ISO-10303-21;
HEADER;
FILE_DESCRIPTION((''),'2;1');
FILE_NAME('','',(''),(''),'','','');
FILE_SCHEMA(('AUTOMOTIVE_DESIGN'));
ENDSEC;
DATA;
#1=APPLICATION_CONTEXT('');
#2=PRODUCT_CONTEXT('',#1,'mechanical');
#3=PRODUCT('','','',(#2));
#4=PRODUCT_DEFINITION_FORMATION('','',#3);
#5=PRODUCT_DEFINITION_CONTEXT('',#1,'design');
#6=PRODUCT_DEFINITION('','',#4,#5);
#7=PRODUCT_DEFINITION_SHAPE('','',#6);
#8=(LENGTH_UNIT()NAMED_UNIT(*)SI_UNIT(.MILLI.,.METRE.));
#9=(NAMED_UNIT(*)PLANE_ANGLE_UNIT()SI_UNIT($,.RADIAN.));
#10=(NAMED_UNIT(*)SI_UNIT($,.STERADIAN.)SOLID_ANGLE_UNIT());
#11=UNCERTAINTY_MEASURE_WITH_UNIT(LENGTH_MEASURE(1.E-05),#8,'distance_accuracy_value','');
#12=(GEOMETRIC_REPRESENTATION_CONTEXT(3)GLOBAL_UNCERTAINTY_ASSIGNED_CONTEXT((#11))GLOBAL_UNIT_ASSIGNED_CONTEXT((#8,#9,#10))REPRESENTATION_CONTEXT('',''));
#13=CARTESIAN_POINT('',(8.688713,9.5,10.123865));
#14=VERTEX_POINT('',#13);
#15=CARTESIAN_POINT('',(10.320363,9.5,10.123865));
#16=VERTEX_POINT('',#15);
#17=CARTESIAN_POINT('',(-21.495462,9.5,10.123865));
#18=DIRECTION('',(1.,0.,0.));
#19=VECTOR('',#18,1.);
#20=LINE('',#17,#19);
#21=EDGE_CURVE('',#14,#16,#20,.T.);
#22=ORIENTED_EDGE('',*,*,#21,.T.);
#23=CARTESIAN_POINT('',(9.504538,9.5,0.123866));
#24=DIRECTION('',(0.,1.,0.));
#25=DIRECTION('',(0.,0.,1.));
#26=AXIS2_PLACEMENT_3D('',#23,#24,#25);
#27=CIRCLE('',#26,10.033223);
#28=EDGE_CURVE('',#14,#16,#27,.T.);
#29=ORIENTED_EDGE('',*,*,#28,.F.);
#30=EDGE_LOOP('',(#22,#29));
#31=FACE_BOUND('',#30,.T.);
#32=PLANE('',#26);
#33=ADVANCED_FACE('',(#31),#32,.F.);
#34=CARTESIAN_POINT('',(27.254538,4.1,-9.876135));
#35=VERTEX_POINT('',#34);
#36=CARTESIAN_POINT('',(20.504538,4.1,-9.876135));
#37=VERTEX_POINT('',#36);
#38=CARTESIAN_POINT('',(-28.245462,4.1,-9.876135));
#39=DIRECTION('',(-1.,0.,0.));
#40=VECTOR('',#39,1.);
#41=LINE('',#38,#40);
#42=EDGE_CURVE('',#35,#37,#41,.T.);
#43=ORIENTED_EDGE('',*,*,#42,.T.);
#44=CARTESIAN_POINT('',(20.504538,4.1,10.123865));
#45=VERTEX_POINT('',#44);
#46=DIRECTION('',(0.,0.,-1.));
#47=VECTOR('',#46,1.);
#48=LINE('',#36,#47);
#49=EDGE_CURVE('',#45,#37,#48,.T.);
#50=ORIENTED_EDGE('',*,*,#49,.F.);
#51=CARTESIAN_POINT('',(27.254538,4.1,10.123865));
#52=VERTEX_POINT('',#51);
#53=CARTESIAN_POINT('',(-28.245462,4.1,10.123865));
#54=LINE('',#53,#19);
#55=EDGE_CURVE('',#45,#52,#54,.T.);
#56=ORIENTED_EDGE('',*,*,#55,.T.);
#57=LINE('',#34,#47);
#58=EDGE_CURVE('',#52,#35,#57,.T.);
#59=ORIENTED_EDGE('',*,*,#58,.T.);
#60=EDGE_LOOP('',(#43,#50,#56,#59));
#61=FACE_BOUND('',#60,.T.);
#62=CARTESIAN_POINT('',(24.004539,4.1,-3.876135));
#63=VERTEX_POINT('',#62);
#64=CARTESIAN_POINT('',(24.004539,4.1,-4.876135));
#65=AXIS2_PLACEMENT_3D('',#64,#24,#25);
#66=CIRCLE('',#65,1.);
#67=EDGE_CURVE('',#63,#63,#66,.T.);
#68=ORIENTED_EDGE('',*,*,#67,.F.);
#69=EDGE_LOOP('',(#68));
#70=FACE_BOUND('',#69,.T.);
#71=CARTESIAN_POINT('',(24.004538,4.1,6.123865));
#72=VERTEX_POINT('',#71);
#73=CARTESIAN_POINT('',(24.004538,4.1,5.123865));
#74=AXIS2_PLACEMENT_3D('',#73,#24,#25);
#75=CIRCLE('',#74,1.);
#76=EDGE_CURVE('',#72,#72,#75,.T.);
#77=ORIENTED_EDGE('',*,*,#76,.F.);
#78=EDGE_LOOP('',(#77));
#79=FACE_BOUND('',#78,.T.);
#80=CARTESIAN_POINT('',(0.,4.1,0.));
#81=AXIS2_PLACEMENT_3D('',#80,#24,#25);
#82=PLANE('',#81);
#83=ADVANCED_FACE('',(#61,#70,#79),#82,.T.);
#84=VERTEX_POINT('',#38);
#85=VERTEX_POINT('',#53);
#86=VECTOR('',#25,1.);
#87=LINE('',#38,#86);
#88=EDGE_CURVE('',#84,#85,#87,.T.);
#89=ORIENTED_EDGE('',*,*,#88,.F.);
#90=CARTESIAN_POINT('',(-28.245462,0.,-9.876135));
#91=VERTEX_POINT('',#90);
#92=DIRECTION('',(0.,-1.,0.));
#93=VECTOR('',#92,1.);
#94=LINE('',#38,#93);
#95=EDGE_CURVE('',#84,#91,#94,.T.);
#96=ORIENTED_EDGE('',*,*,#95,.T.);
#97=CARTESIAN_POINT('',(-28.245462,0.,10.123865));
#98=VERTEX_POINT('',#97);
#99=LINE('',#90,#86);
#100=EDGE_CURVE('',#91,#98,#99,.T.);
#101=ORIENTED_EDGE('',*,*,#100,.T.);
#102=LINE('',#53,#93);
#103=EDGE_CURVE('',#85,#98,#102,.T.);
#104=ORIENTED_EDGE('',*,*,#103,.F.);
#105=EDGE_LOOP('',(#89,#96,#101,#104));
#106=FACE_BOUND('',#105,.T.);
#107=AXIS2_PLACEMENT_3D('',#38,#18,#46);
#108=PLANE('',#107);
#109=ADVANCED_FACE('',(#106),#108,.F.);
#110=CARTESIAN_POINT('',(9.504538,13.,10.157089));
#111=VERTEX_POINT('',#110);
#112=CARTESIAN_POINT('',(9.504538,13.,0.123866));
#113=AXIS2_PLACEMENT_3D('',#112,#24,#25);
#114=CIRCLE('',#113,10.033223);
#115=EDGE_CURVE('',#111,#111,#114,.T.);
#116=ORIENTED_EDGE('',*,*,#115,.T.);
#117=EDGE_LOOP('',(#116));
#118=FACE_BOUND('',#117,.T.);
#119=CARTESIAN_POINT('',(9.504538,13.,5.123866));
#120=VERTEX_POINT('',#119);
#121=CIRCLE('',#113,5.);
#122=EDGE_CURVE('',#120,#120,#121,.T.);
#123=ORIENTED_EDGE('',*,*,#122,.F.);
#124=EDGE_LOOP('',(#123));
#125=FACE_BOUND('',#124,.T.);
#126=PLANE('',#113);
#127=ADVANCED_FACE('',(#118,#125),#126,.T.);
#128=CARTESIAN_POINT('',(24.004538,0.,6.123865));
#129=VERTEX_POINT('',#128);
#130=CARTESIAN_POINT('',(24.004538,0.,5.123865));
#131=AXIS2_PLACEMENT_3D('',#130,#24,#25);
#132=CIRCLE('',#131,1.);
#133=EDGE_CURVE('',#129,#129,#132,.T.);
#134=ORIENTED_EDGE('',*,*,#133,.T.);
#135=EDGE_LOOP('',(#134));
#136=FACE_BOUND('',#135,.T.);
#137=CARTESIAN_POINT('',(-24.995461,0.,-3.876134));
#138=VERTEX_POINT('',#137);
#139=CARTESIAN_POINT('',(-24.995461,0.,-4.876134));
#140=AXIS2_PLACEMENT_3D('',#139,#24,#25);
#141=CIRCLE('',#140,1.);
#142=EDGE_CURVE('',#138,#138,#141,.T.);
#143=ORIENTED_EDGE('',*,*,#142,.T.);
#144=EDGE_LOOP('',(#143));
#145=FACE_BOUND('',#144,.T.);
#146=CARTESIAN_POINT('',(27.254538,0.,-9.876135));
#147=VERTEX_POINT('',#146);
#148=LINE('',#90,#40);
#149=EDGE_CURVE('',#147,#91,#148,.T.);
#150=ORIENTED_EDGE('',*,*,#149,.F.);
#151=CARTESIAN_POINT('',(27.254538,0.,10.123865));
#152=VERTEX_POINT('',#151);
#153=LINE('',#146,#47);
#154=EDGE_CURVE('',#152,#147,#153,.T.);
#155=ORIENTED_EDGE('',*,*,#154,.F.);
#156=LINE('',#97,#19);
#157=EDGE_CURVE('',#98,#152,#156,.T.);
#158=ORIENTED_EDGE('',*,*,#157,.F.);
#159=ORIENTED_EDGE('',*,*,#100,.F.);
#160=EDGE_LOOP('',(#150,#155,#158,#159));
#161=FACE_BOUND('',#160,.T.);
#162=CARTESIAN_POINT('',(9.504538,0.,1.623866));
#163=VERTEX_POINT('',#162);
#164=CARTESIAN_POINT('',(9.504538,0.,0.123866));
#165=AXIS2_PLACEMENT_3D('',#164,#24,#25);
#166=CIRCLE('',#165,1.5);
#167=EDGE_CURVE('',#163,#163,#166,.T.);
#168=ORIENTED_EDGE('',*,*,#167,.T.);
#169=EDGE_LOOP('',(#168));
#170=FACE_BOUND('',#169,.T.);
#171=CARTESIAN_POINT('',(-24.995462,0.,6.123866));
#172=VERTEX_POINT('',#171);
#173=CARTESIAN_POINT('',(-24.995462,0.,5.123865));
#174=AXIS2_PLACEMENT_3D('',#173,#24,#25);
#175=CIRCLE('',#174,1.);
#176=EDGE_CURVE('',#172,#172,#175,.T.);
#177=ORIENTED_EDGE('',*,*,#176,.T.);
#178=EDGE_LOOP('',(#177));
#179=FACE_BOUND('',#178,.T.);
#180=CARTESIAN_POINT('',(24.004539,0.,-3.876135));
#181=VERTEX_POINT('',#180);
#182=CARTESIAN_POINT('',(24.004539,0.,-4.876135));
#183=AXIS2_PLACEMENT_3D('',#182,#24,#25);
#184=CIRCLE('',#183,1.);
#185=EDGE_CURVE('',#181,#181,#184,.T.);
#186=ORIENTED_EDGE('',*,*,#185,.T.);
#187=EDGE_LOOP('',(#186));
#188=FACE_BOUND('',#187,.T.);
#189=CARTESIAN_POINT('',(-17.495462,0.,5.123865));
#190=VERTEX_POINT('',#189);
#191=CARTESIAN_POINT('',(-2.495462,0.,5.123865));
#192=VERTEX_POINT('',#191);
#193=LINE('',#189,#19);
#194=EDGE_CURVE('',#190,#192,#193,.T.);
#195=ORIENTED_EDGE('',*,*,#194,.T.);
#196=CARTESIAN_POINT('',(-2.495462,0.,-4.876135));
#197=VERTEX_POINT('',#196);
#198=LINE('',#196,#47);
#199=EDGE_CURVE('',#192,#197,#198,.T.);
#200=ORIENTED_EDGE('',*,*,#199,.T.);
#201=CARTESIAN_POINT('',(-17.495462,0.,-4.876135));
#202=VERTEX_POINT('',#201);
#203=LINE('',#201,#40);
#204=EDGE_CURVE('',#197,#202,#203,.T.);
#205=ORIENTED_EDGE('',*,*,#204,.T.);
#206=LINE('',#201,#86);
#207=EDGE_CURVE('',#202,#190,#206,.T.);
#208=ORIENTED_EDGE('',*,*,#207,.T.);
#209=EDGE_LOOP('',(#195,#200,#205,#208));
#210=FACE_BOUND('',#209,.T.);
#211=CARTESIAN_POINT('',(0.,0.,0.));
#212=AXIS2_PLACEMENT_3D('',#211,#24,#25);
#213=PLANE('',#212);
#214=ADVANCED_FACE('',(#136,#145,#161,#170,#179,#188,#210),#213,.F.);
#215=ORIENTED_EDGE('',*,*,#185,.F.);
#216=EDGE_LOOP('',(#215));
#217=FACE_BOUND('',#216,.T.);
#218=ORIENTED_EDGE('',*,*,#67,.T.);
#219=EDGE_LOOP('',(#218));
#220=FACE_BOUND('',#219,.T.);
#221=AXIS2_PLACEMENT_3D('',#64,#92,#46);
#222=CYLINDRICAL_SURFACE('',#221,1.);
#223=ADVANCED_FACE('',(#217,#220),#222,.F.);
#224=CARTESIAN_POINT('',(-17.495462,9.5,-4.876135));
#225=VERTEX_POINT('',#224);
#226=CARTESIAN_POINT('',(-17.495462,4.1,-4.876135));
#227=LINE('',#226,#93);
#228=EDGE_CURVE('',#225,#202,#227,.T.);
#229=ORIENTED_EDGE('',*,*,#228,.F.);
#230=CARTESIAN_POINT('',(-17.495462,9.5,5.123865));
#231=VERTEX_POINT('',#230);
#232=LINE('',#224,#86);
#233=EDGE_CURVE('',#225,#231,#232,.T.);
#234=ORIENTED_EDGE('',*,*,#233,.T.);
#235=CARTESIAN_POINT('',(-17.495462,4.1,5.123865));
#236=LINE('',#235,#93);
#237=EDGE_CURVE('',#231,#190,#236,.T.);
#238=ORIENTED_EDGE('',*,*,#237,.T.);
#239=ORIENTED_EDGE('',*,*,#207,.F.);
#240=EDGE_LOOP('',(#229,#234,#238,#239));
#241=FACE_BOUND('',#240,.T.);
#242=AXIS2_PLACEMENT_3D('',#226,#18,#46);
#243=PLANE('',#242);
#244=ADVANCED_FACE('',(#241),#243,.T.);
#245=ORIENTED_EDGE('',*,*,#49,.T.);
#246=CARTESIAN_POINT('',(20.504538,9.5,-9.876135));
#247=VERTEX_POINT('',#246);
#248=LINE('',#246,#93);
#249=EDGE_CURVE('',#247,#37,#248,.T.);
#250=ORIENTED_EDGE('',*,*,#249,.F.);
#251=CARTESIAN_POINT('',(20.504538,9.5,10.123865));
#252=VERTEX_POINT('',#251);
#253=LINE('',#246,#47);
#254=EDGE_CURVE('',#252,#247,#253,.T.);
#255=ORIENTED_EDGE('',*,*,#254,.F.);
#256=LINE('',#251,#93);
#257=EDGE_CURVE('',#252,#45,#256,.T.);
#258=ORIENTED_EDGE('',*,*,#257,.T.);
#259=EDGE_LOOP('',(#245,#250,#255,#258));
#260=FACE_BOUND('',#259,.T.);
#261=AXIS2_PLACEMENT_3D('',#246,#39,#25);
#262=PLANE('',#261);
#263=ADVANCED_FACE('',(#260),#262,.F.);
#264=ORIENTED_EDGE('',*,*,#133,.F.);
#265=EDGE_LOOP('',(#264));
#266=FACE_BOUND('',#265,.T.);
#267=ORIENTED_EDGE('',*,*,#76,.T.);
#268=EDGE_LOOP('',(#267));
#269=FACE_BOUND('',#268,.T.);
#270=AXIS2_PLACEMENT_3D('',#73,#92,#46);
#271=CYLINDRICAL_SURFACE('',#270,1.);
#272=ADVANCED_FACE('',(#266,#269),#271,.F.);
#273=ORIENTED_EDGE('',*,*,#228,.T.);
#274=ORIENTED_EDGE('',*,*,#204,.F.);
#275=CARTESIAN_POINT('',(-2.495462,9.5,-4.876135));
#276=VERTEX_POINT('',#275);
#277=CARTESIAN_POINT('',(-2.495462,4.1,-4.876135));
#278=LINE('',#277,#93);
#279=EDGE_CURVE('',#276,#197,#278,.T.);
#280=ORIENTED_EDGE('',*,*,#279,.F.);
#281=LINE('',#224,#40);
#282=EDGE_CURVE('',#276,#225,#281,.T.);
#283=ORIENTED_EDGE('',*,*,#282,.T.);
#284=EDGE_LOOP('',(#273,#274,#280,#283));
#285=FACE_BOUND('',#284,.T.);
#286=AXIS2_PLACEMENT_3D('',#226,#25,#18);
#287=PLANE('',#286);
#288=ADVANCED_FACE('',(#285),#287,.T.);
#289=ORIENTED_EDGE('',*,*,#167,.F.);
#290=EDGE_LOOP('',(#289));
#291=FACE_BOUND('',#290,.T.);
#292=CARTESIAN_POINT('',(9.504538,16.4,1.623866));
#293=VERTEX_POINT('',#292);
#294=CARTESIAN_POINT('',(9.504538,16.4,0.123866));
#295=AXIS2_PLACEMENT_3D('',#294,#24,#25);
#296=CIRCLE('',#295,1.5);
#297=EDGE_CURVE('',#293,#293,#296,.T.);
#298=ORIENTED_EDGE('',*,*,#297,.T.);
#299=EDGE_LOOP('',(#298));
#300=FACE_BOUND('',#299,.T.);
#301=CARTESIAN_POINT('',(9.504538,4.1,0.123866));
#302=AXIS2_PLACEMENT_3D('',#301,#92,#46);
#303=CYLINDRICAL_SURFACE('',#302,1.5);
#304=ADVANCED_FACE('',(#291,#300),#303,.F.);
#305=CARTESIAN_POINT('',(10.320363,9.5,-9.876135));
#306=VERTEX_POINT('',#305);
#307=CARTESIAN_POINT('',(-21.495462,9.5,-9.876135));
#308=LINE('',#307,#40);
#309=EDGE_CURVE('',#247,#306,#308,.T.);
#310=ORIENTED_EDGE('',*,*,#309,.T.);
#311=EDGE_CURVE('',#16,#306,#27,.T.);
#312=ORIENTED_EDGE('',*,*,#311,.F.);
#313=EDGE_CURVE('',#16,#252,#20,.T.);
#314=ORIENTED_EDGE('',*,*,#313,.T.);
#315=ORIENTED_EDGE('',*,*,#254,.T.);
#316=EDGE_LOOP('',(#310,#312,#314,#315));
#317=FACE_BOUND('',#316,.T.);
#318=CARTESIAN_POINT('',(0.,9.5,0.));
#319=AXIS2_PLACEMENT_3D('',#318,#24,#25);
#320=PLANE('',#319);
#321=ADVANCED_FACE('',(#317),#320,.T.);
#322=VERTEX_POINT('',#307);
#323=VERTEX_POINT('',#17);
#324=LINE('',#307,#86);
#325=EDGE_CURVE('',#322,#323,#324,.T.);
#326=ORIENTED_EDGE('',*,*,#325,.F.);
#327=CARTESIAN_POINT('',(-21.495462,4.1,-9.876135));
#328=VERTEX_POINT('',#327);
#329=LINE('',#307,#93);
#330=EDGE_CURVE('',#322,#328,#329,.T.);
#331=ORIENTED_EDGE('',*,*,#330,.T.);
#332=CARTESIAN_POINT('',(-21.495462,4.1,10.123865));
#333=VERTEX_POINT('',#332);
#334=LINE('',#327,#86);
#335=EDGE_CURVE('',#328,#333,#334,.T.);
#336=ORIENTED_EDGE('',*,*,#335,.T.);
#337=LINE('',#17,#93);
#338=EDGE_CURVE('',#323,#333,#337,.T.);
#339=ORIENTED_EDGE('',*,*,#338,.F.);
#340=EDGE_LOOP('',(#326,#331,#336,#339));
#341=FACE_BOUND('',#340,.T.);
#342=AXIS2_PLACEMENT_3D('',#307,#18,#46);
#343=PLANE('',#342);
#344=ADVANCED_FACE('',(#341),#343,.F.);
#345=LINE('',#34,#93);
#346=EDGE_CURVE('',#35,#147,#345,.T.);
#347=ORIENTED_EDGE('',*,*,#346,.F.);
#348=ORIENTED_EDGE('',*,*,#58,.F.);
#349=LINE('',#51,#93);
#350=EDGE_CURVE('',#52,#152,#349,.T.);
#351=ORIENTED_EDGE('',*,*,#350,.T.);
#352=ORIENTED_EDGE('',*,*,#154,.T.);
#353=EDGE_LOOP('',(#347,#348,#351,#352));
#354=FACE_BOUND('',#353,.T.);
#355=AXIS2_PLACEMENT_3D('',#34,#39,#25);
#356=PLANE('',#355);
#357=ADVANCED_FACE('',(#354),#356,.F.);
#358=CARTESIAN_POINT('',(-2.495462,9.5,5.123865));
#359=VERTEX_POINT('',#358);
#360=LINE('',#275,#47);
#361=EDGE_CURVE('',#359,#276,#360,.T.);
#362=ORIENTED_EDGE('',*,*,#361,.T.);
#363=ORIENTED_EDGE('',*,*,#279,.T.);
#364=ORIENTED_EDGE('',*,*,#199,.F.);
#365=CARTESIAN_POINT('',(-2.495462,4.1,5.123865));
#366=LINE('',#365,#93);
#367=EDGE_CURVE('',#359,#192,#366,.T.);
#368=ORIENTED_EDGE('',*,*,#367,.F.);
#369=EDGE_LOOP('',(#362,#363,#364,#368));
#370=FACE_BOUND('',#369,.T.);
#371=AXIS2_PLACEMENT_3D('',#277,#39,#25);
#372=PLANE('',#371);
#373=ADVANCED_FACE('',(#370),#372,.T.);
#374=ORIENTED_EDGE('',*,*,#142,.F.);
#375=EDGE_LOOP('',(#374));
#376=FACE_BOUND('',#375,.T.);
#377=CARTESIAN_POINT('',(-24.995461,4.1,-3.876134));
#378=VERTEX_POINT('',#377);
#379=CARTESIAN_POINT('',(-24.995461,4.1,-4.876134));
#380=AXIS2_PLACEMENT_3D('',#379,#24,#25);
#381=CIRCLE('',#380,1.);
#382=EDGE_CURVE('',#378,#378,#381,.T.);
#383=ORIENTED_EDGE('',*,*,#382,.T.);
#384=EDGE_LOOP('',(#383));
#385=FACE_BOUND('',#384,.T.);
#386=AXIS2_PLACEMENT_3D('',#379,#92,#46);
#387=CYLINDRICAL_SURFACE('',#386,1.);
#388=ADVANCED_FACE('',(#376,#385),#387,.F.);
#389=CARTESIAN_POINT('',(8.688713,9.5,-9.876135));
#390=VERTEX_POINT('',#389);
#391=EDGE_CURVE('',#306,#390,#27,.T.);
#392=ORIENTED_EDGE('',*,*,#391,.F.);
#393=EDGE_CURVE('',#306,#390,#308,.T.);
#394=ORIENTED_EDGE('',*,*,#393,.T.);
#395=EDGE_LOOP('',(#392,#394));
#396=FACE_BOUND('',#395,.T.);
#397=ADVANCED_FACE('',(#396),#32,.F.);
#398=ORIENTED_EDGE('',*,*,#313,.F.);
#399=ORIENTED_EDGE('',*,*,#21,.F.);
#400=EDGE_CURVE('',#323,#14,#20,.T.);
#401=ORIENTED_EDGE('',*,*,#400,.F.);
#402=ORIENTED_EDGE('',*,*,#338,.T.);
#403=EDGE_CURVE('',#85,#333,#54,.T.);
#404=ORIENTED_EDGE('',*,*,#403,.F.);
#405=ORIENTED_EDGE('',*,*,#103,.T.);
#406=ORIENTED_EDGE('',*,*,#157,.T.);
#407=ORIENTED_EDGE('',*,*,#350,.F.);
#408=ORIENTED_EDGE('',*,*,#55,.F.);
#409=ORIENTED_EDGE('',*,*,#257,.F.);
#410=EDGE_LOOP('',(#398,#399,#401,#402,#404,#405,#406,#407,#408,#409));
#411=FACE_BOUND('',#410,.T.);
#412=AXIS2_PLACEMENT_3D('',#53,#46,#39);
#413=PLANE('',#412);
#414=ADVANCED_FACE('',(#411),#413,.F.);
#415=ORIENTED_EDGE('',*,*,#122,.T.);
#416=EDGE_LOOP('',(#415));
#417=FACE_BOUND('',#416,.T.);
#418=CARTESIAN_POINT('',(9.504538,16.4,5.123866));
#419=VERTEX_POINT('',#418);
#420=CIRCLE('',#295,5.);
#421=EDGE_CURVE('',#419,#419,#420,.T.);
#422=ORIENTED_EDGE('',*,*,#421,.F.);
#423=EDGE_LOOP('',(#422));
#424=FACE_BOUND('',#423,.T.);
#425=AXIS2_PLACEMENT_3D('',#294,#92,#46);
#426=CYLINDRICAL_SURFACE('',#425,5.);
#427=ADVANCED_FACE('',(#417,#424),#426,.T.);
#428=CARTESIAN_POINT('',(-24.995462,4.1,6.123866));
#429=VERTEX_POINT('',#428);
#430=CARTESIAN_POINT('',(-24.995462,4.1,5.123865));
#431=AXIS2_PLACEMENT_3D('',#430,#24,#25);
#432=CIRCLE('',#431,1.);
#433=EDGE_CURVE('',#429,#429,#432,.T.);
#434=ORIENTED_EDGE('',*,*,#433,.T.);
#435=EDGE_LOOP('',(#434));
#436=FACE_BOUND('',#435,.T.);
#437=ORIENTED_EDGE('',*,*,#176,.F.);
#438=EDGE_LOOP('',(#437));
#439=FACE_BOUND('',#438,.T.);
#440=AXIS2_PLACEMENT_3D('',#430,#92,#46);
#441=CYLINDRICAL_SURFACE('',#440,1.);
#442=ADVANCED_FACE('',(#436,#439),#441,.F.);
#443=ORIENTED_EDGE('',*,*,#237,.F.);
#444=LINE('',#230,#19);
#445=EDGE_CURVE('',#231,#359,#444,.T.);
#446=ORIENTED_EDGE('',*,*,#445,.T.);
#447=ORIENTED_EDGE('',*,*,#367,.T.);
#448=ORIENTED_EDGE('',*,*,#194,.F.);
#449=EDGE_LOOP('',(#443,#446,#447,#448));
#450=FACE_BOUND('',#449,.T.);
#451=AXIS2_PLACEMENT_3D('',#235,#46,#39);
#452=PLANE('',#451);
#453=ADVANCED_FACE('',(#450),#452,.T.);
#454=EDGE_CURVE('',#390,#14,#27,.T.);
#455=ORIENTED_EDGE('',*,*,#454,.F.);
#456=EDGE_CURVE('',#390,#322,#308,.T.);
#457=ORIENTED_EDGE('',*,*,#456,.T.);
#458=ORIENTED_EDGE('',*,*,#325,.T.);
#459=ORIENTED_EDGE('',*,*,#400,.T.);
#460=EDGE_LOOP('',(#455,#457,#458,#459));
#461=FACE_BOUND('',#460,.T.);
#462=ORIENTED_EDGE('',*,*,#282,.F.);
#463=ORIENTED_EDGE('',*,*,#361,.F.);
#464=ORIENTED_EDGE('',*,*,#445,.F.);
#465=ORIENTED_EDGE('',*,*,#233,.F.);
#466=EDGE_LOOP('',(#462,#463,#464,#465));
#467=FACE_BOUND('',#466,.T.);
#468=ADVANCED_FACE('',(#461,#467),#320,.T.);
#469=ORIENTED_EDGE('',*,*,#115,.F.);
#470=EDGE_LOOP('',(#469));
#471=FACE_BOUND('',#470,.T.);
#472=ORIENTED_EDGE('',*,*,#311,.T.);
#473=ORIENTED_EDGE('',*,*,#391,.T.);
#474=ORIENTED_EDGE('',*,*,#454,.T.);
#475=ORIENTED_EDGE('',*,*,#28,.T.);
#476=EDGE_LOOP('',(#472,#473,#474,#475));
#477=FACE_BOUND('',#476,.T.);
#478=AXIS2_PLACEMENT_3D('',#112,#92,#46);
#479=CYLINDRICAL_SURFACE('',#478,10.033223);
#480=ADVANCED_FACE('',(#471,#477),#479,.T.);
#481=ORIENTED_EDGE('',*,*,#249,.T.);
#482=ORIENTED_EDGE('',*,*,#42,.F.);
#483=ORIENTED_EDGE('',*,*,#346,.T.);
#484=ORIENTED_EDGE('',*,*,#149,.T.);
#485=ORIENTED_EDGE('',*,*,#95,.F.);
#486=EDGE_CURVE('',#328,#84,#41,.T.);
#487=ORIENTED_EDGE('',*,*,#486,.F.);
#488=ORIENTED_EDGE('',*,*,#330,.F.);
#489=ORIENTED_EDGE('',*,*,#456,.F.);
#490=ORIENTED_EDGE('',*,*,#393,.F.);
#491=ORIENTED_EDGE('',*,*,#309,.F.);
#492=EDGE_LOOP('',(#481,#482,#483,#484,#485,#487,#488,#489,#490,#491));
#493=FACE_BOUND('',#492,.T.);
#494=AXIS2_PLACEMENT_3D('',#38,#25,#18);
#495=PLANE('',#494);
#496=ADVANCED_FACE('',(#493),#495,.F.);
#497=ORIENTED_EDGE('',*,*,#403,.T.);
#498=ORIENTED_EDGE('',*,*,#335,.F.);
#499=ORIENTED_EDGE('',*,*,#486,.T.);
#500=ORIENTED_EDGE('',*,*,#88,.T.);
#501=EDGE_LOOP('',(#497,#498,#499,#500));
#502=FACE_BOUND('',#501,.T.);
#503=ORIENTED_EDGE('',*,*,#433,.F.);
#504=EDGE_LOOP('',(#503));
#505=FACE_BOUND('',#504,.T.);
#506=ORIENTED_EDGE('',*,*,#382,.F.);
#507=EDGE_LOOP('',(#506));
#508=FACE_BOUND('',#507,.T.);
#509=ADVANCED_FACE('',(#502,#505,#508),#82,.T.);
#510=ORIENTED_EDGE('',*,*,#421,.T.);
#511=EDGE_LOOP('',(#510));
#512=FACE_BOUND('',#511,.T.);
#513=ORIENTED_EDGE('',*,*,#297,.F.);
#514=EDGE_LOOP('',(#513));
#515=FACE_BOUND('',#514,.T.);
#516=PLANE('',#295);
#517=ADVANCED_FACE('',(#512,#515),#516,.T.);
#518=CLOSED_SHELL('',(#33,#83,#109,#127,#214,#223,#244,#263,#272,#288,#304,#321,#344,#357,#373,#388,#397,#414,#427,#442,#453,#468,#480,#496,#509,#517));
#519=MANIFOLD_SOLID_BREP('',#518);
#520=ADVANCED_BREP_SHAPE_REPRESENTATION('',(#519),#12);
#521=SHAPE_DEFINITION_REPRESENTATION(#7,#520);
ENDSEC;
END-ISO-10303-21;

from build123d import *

# Parameters (mm, degrees)
CROQUIS1_W              = 55.5
CROQUIS1_H              = 20
CROQUIS1_R              = 1.000000224
CROQUIS1_R_2            = 1.000000066
CROQUIS1_R_3            = 1.500000028
CROQUIS1_R_4            = 0.999999891
CROQUIS1_R_5            = 0.999999587
CROQUIS1_W_2            = 15
CROQUIS1_H_2            = 10
SALIENTE_EXTRUIR1_DEPTH = 4.1
CROQUIS2_W              = 42
CROQUIS2_H              = 20
CROQUIS2_R              = 1.500000028
CROQUIS2_W_2            = 15
CROQUIS2_H_2            = 10
SALIENTE_EXTRUIR2_DEPTH = 5.4
CROQUIS3_R              = 10.033223334
CROQUIS3_R_2            = 1.500000028
SALIENTE_EXTRUIR3_DEPTH = 3.5
CROQUIS4_R              = 5
CROQUIS4_R_2            = 1.500000028
SALIENTE_EXTRUIR4_DEPTH = 3.4


with BuildPart() as part:
    # Croquis1 → Saliente-Extruir1 (new body)
    with BuildSketch(Plane(origin=(0, 0, 0), x_dir=(1, 0, 0), z_dir=(0, 1, 0))):
        with Locations((-0.49546198, -0.123865495)):
            Rectangle(CROQUIS1_W, CROQUIS1_H)
        with Locations((-24.995460911, 4.876134086)):
            Circle(CROQUIS1_R, mode=Mode.SUBTRACT)
        with Locations((-24.995461734, -5.123865495)):
            Circle(CROQUIS1_R_2, mode=Mode.SUBTRACT)
        with Locations((9.504538064, -0.123865505)):
            Circle(CROQUIS1_R_3, mode=Mode.SUBTRACT)
        with Locations((24.004538739, 4.876134747)):
            Circle(CROQUIS1_R_4, mode=Mode.SUBTRACT)
        with Locations((24.004537606, -5.123865416)):
            Circle(CROQUIS1_R_5, mode=Mode.SUBTRACT)
        with Locations((-9.99546198, -0.123865495)):
            Rectangle(CROQUIS1_W_2, CROQUIS1_H_2, mode=Mode.SUBTRACT)
    extrude(amount=SALIENTE_EXTRUIR1_DEPTH)

    # Croquis2 → Saliente-Extruir2 (add)
    with BuildSketch(Plane(origin=(0, 4.1, 0), x_dir=(1, 0, 0), z_dir=(0, 1, 0))):
        with Locations((-0.49546198, -0.123865495)):
            Rectangle(CROQUIS2_W, CROQUIS2_H)
        with Locations((9.504538064, -0.123865505)):
            Circle(CROQUIS2_R, mode=Mode.SUBTRACT)
        with Locations((-9.99546198, -0.123865495)):
            Rectangle(CROQUIS2_W_2, CROQUIS2_H_2, mode=Mode.SUBTRACT)
    extrude(amount=SALIENTE_EXTRUIR2_DEPTH)

    # Croquis3 → Saliente-Extruir3 (add)
    with BuildSketch(Plane(origin=(0, 9.5, 0), x_dir=(1, 0, 0), z_dir=(0, 1, 0))):
        with Locations((9.504538064, -0.123865505)):
            Circle(CROQUIS3_R)
        with Locations((9.504538064, -0.123865505)):
            Circle(CROQUIS3_R_2, mode=Mode.SUBTRACT)
    extrude(amount=SALIENTE_EXTRUIR3_DEPTH)

    # Croquis4 → Saliente-Extruir4 (add)
    with BuildSketch(Plane(origin=(0, 13, 0), x_dir=(1, 0, 0), z_dir=(0, 1, 0))):
        with Locations((9.504538064, -0.123865505)):
            Circle(CROQUIS4_R)
        with Locations((9.504538064, -0.123865505)):
            Circle(CROQUIS4_R_2, mode=Mode.SUBTRACT)
    extrude(amount=SALIENTE_EXTRUIR4_DEPTH)


solid = part.part
